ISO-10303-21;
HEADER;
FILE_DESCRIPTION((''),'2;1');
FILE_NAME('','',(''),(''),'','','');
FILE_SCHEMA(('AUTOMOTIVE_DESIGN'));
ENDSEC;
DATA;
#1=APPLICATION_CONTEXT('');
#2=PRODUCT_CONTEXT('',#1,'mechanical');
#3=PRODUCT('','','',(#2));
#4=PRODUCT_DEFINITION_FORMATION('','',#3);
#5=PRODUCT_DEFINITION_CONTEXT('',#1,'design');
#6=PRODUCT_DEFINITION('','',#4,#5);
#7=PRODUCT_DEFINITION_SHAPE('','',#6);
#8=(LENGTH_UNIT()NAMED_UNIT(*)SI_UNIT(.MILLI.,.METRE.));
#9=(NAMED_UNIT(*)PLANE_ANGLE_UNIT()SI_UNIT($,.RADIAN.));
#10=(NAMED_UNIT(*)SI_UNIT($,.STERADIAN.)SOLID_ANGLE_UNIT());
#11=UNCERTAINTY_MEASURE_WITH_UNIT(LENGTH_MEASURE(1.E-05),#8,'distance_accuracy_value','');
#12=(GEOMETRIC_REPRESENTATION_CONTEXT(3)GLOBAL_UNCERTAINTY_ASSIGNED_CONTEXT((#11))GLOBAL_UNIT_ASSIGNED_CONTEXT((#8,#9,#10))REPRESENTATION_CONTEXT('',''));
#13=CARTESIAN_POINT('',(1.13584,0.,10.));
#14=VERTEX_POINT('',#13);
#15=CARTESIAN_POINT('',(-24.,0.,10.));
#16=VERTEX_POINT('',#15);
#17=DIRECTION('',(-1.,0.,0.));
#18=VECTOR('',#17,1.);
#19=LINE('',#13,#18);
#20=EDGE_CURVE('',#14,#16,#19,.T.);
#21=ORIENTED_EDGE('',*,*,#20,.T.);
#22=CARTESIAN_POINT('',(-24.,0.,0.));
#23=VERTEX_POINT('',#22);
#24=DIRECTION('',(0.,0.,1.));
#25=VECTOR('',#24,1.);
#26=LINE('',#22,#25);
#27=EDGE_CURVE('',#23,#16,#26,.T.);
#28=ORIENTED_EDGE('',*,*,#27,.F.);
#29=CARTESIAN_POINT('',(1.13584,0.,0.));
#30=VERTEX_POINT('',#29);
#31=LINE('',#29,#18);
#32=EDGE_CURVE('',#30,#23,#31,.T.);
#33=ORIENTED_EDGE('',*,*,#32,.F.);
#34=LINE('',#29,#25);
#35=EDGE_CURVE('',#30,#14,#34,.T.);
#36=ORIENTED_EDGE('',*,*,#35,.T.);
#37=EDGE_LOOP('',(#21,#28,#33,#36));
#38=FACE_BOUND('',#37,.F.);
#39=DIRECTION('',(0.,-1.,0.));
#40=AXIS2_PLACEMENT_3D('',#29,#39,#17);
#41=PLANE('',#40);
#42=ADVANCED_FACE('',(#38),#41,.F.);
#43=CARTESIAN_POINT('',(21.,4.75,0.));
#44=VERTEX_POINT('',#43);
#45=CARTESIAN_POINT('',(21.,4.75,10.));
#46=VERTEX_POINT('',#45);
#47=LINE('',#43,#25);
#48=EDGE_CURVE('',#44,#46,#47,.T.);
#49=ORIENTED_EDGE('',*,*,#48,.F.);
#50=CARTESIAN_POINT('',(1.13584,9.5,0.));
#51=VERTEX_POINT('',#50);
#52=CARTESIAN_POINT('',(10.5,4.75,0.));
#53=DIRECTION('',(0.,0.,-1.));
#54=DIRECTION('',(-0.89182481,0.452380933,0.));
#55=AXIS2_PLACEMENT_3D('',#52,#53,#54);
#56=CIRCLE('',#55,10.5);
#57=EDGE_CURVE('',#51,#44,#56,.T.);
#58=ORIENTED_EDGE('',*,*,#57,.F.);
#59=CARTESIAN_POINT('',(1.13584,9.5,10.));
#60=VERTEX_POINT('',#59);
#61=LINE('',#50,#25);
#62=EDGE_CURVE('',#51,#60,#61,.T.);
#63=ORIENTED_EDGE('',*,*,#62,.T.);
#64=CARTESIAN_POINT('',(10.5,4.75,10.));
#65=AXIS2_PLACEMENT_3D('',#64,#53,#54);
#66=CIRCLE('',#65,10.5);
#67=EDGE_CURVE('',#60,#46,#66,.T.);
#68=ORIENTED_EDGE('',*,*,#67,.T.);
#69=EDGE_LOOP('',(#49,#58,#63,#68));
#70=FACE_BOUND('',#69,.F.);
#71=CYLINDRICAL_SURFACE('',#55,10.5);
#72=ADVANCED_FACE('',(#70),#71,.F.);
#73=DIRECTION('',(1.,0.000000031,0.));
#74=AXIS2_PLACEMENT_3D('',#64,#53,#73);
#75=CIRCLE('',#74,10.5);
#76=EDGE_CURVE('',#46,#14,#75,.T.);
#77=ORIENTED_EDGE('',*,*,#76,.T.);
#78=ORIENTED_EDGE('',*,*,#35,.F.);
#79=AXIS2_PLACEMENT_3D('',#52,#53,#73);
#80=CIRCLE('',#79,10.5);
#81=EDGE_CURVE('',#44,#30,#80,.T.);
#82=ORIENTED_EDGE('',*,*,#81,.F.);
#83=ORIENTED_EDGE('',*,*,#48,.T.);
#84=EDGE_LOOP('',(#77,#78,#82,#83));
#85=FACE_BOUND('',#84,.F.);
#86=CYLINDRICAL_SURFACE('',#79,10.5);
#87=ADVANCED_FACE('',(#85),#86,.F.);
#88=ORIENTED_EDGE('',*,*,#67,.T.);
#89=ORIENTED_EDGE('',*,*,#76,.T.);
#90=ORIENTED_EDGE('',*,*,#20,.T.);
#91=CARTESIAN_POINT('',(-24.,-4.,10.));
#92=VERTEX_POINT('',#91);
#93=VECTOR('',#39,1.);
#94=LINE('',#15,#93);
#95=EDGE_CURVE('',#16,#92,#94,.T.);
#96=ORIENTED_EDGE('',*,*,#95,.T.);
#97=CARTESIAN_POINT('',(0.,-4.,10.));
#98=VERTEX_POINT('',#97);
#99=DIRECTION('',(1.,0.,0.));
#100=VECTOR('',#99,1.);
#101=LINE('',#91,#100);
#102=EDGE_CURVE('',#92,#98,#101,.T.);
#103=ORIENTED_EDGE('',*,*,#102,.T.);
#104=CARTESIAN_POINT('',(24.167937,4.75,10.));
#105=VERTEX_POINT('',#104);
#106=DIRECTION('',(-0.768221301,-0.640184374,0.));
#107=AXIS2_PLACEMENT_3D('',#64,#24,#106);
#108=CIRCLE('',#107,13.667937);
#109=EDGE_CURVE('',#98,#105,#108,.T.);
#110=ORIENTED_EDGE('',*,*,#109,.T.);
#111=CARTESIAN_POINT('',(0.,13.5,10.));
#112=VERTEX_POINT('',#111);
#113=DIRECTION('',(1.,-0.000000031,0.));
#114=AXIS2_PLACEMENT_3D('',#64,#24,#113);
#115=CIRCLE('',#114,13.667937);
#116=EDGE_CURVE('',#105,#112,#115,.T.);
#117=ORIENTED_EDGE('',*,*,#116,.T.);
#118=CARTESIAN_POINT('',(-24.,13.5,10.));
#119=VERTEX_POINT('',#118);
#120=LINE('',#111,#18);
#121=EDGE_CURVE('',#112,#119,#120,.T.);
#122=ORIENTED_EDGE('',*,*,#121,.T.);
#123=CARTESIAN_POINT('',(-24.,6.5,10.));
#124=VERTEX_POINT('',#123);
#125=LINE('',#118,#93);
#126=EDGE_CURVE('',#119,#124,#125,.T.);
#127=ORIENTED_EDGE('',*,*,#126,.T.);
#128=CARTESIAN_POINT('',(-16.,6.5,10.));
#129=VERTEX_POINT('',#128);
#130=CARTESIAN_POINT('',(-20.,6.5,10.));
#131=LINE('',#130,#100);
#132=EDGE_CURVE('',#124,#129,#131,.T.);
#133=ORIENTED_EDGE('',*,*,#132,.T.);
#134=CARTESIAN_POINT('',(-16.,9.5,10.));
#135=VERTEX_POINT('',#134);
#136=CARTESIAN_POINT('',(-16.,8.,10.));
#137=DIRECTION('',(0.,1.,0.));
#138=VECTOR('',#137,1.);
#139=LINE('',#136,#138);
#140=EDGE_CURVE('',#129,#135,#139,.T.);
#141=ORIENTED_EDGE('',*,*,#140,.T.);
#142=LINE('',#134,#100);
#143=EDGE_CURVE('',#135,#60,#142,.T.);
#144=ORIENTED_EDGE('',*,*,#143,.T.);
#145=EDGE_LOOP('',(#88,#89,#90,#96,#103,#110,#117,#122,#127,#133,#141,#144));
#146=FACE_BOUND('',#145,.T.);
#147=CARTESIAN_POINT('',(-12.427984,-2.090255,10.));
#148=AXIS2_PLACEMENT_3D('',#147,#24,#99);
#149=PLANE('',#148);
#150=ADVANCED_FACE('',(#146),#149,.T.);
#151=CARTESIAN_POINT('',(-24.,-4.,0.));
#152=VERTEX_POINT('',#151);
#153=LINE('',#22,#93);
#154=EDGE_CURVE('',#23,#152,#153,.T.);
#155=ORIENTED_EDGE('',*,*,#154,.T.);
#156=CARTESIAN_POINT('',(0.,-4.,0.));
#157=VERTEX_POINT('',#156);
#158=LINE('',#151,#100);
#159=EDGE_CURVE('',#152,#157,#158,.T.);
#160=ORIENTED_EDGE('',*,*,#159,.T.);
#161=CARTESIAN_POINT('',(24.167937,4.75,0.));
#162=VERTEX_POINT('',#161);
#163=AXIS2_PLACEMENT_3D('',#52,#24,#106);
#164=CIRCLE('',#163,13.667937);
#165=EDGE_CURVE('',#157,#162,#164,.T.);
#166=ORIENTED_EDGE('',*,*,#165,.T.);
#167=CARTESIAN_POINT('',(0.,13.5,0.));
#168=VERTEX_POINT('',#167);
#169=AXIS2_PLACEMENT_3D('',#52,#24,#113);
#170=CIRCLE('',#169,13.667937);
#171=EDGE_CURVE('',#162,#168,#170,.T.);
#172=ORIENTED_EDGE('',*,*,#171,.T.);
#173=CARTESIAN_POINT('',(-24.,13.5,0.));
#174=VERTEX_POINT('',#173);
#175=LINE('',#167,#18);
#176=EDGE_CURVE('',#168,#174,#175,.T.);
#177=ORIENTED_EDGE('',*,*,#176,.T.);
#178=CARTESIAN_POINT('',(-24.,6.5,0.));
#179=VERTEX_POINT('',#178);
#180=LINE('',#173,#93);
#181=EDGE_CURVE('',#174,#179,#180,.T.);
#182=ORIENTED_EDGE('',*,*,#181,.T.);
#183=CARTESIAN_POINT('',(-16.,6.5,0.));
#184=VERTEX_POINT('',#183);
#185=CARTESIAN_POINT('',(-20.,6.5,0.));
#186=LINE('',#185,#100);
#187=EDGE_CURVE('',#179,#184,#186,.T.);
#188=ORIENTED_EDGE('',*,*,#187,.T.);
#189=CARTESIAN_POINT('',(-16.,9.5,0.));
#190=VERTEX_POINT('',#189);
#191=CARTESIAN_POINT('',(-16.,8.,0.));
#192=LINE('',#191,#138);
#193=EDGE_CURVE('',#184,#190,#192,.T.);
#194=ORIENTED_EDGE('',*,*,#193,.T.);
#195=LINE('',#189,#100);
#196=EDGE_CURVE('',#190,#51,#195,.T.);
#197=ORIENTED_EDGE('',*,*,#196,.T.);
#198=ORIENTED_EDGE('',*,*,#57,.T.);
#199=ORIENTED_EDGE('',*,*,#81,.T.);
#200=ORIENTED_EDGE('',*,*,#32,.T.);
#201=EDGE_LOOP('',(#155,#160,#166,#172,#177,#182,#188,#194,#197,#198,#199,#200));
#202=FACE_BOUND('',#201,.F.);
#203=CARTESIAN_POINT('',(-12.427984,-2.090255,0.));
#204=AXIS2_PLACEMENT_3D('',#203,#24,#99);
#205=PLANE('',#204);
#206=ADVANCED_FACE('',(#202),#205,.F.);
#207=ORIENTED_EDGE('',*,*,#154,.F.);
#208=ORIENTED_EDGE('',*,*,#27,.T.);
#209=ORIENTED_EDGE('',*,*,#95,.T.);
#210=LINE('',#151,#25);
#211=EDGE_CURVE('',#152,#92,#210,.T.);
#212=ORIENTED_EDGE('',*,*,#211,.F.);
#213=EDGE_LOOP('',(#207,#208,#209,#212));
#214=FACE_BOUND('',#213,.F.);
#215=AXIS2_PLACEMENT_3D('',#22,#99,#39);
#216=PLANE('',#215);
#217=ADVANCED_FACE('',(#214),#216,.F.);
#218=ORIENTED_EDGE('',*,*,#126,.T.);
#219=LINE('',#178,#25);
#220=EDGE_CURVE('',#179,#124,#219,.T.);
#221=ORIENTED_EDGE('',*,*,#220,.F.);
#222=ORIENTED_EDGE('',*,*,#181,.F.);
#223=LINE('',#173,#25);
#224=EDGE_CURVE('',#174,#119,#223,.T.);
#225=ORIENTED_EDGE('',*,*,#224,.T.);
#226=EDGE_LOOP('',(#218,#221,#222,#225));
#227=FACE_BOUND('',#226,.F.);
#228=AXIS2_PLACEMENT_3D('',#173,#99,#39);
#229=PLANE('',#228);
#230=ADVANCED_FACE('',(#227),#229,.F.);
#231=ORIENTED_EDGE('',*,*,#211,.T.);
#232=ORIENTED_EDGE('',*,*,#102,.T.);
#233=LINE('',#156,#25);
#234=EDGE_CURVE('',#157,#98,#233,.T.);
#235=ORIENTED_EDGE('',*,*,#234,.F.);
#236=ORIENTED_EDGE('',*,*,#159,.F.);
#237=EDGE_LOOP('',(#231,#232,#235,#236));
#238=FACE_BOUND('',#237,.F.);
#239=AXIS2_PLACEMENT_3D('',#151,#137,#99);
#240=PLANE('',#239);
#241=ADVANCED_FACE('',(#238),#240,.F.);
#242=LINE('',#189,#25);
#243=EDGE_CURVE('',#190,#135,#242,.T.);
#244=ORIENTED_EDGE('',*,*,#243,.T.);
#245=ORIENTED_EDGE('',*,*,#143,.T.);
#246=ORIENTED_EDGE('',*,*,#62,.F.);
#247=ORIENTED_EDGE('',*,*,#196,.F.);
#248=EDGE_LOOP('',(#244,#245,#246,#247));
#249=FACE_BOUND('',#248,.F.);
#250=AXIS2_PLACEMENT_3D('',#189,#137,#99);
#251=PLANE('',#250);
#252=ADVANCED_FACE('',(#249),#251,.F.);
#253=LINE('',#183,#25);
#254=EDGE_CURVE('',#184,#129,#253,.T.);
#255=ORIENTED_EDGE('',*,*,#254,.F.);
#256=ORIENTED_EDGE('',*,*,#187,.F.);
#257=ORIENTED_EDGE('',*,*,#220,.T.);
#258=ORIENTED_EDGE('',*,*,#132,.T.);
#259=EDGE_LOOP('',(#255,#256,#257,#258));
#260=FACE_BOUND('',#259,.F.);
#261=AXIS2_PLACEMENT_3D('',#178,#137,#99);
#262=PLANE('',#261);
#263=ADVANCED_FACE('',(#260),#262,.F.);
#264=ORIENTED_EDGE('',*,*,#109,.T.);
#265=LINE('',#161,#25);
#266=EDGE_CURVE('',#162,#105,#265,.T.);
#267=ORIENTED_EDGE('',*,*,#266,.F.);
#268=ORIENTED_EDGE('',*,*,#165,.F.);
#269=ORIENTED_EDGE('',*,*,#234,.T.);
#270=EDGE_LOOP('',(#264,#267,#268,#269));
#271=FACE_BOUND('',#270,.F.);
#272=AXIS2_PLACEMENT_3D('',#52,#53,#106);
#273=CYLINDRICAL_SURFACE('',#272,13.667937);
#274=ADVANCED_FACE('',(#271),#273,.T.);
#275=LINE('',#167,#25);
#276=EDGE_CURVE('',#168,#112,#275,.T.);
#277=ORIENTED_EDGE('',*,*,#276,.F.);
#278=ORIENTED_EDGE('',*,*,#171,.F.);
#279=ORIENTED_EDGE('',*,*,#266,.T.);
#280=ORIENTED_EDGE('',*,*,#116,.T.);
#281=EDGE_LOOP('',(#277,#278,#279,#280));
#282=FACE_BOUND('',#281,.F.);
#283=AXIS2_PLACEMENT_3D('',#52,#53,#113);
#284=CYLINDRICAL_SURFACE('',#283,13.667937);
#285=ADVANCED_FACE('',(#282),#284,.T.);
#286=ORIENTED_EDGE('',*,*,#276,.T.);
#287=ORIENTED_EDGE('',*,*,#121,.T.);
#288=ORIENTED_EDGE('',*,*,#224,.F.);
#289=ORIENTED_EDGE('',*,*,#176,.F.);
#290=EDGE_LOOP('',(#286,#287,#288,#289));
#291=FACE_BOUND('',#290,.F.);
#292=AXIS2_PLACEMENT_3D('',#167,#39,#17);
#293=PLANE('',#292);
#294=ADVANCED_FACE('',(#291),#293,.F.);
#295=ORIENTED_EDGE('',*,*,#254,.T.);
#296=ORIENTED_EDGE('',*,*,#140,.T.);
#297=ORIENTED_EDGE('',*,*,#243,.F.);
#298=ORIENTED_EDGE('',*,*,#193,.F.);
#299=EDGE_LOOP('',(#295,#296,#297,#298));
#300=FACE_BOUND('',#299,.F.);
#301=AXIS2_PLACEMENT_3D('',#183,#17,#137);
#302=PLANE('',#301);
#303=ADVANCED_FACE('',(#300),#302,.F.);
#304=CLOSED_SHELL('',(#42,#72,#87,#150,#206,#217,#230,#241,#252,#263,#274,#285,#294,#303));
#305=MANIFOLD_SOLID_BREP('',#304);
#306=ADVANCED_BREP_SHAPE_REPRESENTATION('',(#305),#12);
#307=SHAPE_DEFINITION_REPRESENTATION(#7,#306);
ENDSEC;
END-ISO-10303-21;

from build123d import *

# Parameters (mm, degrees)
F0_W     = 8
F0_H     = 3
F1_DEPTH = 10


with BuildPart() as f1:
    # F0 (on Top) → F1 (new body)
    with BuildSketch(Plane.XY):
        with BuildLine():
            Line((-2.316006, 0), (-24, 0))
            Line((-24, 0), (-24, -4))
            Line((-24, -4), (0, -4))
            ThreePointArc((0, -4), (-1.328315, -2.098611), (-2.316006, 0))
        make_face()
        with BuildLine():
            Line((-24, 13.5), (-24, 9.5))
            Line((-24, 9.5), (-16, 9.5))
            Line((-16, 9.5), (-2.316006, 9.5))
            ThreePointArc((-2.316006, 9.5), (-1.328315, 11.598611), (0, 13.5))
            Line((0, 13.5), (-24, 13.5))
        make_face()
        with Locations((-20, 8)):
            Rectangle(F0_W, F0_H)
        with BuildLine():
            ThreePointArc((0, 13.5), (-1.328315, 11.598611), (-2.316006, 9.5))
            Line((-2.316006, 9.5), (0, 9.5))
            Line((0, 9.5), (0, 13.5))
        make_face()
        with BuildLine():
            ThreePointArc((24.167937, 4.75), (15.152911, 17.601573), (0, 13.5))
            Line((0, 13.5), (0, 9.5))
            Line((0, 9.5), (1.13584, 9.5))
            ThreePointArc((1.13584, 9.5), (12.941958, 14.962093), (21, 4.75))
            ThreePointArc((21, 4.75), (12.941958, -5.462093), (1.13584, 0))
            Line((1.13584, 0), (0, 0))
            Line((0, 0), (0, -4))
            ThreePointArc((0, -4), (15.152911, -8.101573), (24.167937, 4.75))
        make_face()
        with BuildLine():
            Line((0, 0), (-2.316006, 0))
            ThreePointArc((-2.316006, 0), (-1.328315, -2.098611), (0, -4))
            Line((0, -4), (0, 0))
        make_face()
    extrude(amount=F1_DEPTH)


solid = f1.part
